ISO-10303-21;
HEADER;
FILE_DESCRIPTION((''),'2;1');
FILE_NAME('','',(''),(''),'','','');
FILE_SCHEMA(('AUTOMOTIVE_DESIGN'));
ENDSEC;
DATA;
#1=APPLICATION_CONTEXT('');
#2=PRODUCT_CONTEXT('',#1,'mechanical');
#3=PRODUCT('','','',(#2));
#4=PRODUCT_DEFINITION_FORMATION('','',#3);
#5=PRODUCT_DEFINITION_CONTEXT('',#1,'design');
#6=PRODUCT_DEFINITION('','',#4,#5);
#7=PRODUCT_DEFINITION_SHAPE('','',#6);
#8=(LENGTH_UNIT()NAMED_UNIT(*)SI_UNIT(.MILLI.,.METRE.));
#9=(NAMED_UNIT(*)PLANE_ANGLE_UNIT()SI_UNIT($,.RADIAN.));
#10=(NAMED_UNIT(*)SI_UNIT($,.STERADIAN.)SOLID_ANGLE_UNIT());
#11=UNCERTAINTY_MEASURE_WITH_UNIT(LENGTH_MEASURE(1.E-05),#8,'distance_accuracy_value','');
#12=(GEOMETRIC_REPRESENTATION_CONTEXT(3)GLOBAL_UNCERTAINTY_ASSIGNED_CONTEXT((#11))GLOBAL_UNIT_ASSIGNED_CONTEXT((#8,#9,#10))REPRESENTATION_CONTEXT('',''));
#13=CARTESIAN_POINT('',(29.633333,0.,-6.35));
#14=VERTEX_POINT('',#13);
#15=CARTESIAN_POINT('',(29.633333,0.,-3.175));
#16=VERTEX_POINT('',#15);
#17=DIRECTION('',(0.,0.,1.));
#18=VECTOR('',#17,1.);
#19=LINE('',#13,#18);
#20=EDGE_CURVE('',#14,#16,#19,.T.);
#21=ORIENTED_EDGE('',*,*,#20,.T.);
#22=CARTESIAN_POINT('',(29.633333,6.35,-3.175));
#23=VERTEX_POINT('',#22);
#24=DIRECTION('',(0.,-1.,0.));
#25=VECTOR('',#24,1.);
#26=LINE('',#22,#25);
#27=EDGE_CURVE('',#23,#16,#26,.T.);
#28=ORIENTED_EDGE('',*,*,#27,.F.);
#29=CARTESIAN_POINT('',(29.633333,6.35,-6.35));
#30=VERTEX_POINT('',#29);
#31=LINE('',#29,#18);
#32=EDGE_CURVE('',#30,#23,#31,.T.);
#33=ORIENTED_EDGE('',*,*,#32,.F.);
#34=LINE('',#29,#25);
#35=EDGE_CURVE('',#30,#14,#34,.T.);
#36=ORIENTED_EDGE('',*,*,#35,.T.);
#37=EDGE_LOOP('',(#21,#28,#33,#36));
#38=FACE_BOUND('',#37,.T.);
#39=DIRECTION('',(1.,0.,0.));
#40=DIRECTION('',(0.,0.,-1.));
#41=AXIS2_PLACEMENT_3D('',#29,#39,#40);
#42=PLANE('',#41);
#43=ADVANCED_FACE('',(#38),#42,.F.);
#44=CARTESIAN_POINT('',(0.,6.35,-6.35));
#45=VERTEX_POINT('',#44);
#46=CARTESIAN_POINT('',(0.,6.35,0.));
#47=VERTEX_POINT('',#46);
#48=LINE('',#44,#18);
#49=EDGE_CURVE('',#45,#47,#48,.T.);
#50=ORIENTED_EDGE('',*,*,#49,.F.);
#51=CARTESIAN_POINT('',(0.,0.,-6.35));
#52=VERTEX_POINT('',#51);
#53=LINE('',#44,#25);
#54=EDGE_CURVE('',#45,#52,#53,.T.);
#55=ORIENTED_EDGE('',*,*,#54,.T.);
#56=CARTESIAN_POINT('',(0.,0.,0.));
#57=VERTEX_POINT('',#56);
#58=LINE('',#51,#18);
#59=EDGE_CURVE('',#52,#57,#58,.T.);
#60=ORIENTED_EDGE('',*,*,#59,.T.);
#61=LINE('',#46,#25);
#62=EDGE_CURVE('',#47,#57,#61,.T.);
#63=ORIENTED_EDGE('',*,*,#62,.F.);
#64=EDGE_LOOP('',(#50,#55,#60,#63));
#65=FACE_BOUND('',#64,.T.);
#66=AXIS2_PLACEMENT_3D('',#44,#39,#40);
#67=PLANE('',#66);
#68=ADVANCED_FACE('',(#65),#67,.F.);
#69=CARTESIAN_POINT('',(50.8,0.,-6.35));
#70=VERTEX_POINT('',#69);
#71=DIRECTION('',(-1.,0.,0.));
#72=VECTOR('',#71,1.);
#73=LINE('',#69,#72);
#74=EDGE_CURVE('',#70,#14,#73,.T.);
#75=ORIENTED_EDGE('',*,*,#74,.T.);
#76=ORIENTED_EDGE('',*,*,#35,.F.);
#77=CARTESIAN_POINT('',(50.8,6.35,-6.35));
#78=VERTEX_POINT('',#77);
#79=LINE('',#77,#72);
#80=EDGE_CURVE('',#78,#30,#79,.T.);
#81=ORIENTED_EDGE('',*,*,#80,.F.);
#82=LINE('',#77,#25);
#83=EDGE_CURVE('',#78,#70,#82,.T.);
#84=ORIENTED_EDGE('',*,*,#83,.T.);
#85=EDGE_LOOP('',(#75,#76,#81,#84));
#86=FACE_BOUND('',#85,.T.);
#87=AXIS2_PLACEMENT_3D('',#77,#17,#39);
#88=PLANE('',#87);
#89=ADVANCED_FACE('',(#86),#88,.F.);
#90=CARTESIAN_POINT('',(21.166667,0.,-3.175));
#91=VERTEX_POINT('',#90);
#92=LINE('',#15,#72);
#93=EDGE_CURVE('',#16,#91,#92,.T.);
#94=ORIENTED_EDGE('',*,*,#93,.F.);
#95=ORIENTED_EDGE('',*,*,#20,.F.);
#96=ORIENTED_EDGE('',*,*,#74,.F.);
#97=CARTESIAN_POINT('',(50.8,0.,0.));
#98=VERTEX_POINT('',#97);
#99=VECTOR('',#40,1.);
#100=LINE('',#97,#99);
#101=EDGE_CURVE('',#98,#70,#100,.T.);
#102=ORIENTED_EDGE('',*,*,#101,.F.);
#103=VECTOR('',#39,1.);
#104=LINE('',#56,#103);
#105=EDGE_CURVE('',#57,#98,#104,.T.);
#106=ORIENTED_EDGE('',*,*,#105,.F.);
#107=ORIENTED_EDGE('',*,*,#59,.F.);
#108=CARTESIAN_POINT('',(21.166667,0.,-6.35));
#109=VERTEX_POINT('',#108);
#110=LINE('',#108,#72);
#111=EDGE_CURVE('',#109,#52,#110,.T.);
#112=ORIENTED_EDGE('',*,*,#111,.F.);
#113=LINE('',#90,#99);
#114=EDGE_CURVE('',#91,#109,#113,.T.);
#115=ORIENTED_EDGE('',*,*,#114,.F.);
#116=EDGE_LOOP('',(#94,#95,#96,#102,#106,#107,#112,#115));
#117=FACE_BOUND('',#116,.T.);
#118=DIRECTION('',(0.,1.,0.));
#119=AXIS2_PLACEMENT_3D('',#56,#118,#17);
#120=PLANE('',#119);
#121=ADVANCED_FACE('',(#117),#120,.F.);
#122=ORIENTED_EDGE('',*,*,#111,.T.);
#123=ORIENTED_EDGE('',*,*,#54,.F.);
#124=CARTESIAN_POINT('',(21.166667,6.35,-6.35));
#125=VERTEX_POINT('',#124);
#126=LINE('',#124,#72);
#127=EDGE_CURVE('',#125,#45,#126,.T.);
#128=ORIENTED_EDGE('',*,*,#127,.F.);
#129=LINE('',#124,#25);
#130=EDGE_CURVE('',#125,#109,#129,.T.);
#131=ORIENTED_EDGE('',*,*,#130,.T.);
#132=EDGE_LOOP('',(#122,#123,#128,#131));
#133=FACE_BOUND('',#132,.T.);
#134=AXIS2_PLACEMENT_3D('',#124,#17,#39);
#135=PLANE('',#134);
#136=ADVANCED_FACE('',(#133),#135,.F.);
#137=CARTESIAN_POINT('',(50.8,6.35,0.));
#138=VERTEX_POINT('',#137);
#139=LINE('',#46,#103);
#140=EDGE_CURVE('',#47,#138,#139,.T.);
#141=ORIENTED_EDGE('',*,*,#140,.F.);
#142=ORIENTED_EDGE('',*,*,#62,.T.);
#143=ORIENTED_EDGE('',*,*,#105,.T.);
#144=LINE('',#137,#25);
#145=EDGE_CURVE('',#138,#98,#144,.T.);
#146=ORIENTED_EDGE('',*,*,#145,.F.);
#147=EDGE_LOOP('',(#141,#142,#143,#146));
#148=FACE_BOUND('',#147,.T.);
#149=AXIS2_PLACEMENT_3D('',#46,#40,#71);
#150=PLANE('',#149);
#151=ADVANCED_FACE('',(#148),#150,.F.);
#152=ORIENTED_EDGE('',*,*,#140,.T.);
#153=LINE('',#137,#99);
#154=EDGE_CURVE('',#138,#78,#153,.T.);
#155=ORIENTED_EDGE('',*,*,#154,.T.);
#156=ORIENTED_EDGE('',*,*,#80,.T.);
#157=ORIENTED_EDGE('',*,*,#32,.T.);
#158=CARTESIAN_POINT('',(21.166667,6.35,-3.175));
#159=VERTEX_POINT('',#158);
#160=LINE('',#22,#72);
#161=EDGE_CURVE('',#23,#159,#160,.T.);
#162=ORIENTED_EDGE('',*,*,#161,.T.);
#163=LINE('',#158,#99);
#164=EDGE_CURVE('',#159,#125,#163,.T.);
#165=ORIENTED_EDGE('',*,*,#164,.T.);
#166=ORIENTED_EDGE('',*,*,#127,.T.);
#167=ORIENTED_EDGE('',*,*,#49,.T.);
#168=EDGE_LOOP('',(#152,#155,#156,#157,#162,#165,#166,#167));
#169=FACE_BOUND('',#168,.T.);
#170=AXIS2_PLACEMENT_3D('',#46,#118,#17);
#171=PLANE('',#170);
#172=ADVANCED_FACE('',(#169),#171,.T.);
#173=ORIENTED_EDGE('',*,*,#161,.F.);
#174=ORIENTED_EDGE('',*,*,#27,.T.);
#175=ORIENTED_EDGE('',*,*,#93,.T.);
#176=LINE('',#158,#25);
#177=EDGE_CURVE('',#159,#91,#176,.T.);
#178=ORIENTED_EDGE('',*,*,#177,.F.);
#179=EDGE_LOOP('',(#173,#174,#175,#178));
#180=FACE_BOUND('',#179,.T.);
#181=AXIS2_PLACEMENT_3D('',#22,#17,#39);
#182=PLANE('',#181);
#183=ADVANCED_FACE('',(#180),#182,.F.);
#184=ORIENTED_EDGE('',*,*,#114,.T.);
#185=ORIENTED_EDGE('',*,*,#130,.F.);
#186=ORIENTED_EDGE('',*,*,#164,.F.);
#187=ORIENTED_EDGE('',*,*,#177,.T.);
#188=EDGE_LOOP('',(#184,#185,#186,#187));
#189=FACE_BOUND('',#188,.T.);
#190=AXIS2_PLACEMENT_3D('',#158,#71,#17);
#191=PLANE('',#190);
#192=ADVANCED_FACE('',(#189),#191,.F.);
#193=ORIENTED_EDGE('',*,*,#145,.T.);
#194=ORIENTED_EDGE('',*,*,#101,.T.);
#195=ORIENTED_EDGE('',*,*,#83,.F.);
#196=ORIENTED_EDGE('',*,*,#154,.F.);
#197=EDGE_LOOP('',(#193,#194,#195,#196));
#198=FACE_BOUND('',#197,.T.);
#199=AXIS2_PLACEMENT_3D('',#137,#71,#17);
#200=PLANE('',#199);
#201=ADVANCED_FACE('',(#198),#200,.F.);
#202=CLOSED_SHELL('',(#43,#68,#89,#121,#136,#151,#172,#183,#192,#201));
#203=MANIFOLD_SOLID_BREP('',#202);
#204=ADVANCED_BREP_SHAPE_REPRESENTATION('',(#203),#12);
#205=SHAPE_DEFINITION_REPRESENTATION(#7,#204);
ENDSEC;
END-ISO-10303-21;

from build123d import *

# Parameters (mm, degrees)
BOSS_EXTRUDE1_DEPTH = 6.35


with BuildPart() as part:
    # Sketch1 → Boss-Extrude1 (new body)
    with BuildSketch(Plane(origin=(0, 0, 0), x_dir=(1, 0, 0), z_dir=(0, 1, 0))):
        Polygon((0, 0), (50.8, 0), (50.8, 6.35), (29.633333333, 6.35), (29.633333333, 3.175), (21.166666667, 3.175), (21.166666667, 6.35), (0, 6.35), align=None)
    extrude(amount=BOSS_EXTRUDE1_DEPTH)


solid = part.part
